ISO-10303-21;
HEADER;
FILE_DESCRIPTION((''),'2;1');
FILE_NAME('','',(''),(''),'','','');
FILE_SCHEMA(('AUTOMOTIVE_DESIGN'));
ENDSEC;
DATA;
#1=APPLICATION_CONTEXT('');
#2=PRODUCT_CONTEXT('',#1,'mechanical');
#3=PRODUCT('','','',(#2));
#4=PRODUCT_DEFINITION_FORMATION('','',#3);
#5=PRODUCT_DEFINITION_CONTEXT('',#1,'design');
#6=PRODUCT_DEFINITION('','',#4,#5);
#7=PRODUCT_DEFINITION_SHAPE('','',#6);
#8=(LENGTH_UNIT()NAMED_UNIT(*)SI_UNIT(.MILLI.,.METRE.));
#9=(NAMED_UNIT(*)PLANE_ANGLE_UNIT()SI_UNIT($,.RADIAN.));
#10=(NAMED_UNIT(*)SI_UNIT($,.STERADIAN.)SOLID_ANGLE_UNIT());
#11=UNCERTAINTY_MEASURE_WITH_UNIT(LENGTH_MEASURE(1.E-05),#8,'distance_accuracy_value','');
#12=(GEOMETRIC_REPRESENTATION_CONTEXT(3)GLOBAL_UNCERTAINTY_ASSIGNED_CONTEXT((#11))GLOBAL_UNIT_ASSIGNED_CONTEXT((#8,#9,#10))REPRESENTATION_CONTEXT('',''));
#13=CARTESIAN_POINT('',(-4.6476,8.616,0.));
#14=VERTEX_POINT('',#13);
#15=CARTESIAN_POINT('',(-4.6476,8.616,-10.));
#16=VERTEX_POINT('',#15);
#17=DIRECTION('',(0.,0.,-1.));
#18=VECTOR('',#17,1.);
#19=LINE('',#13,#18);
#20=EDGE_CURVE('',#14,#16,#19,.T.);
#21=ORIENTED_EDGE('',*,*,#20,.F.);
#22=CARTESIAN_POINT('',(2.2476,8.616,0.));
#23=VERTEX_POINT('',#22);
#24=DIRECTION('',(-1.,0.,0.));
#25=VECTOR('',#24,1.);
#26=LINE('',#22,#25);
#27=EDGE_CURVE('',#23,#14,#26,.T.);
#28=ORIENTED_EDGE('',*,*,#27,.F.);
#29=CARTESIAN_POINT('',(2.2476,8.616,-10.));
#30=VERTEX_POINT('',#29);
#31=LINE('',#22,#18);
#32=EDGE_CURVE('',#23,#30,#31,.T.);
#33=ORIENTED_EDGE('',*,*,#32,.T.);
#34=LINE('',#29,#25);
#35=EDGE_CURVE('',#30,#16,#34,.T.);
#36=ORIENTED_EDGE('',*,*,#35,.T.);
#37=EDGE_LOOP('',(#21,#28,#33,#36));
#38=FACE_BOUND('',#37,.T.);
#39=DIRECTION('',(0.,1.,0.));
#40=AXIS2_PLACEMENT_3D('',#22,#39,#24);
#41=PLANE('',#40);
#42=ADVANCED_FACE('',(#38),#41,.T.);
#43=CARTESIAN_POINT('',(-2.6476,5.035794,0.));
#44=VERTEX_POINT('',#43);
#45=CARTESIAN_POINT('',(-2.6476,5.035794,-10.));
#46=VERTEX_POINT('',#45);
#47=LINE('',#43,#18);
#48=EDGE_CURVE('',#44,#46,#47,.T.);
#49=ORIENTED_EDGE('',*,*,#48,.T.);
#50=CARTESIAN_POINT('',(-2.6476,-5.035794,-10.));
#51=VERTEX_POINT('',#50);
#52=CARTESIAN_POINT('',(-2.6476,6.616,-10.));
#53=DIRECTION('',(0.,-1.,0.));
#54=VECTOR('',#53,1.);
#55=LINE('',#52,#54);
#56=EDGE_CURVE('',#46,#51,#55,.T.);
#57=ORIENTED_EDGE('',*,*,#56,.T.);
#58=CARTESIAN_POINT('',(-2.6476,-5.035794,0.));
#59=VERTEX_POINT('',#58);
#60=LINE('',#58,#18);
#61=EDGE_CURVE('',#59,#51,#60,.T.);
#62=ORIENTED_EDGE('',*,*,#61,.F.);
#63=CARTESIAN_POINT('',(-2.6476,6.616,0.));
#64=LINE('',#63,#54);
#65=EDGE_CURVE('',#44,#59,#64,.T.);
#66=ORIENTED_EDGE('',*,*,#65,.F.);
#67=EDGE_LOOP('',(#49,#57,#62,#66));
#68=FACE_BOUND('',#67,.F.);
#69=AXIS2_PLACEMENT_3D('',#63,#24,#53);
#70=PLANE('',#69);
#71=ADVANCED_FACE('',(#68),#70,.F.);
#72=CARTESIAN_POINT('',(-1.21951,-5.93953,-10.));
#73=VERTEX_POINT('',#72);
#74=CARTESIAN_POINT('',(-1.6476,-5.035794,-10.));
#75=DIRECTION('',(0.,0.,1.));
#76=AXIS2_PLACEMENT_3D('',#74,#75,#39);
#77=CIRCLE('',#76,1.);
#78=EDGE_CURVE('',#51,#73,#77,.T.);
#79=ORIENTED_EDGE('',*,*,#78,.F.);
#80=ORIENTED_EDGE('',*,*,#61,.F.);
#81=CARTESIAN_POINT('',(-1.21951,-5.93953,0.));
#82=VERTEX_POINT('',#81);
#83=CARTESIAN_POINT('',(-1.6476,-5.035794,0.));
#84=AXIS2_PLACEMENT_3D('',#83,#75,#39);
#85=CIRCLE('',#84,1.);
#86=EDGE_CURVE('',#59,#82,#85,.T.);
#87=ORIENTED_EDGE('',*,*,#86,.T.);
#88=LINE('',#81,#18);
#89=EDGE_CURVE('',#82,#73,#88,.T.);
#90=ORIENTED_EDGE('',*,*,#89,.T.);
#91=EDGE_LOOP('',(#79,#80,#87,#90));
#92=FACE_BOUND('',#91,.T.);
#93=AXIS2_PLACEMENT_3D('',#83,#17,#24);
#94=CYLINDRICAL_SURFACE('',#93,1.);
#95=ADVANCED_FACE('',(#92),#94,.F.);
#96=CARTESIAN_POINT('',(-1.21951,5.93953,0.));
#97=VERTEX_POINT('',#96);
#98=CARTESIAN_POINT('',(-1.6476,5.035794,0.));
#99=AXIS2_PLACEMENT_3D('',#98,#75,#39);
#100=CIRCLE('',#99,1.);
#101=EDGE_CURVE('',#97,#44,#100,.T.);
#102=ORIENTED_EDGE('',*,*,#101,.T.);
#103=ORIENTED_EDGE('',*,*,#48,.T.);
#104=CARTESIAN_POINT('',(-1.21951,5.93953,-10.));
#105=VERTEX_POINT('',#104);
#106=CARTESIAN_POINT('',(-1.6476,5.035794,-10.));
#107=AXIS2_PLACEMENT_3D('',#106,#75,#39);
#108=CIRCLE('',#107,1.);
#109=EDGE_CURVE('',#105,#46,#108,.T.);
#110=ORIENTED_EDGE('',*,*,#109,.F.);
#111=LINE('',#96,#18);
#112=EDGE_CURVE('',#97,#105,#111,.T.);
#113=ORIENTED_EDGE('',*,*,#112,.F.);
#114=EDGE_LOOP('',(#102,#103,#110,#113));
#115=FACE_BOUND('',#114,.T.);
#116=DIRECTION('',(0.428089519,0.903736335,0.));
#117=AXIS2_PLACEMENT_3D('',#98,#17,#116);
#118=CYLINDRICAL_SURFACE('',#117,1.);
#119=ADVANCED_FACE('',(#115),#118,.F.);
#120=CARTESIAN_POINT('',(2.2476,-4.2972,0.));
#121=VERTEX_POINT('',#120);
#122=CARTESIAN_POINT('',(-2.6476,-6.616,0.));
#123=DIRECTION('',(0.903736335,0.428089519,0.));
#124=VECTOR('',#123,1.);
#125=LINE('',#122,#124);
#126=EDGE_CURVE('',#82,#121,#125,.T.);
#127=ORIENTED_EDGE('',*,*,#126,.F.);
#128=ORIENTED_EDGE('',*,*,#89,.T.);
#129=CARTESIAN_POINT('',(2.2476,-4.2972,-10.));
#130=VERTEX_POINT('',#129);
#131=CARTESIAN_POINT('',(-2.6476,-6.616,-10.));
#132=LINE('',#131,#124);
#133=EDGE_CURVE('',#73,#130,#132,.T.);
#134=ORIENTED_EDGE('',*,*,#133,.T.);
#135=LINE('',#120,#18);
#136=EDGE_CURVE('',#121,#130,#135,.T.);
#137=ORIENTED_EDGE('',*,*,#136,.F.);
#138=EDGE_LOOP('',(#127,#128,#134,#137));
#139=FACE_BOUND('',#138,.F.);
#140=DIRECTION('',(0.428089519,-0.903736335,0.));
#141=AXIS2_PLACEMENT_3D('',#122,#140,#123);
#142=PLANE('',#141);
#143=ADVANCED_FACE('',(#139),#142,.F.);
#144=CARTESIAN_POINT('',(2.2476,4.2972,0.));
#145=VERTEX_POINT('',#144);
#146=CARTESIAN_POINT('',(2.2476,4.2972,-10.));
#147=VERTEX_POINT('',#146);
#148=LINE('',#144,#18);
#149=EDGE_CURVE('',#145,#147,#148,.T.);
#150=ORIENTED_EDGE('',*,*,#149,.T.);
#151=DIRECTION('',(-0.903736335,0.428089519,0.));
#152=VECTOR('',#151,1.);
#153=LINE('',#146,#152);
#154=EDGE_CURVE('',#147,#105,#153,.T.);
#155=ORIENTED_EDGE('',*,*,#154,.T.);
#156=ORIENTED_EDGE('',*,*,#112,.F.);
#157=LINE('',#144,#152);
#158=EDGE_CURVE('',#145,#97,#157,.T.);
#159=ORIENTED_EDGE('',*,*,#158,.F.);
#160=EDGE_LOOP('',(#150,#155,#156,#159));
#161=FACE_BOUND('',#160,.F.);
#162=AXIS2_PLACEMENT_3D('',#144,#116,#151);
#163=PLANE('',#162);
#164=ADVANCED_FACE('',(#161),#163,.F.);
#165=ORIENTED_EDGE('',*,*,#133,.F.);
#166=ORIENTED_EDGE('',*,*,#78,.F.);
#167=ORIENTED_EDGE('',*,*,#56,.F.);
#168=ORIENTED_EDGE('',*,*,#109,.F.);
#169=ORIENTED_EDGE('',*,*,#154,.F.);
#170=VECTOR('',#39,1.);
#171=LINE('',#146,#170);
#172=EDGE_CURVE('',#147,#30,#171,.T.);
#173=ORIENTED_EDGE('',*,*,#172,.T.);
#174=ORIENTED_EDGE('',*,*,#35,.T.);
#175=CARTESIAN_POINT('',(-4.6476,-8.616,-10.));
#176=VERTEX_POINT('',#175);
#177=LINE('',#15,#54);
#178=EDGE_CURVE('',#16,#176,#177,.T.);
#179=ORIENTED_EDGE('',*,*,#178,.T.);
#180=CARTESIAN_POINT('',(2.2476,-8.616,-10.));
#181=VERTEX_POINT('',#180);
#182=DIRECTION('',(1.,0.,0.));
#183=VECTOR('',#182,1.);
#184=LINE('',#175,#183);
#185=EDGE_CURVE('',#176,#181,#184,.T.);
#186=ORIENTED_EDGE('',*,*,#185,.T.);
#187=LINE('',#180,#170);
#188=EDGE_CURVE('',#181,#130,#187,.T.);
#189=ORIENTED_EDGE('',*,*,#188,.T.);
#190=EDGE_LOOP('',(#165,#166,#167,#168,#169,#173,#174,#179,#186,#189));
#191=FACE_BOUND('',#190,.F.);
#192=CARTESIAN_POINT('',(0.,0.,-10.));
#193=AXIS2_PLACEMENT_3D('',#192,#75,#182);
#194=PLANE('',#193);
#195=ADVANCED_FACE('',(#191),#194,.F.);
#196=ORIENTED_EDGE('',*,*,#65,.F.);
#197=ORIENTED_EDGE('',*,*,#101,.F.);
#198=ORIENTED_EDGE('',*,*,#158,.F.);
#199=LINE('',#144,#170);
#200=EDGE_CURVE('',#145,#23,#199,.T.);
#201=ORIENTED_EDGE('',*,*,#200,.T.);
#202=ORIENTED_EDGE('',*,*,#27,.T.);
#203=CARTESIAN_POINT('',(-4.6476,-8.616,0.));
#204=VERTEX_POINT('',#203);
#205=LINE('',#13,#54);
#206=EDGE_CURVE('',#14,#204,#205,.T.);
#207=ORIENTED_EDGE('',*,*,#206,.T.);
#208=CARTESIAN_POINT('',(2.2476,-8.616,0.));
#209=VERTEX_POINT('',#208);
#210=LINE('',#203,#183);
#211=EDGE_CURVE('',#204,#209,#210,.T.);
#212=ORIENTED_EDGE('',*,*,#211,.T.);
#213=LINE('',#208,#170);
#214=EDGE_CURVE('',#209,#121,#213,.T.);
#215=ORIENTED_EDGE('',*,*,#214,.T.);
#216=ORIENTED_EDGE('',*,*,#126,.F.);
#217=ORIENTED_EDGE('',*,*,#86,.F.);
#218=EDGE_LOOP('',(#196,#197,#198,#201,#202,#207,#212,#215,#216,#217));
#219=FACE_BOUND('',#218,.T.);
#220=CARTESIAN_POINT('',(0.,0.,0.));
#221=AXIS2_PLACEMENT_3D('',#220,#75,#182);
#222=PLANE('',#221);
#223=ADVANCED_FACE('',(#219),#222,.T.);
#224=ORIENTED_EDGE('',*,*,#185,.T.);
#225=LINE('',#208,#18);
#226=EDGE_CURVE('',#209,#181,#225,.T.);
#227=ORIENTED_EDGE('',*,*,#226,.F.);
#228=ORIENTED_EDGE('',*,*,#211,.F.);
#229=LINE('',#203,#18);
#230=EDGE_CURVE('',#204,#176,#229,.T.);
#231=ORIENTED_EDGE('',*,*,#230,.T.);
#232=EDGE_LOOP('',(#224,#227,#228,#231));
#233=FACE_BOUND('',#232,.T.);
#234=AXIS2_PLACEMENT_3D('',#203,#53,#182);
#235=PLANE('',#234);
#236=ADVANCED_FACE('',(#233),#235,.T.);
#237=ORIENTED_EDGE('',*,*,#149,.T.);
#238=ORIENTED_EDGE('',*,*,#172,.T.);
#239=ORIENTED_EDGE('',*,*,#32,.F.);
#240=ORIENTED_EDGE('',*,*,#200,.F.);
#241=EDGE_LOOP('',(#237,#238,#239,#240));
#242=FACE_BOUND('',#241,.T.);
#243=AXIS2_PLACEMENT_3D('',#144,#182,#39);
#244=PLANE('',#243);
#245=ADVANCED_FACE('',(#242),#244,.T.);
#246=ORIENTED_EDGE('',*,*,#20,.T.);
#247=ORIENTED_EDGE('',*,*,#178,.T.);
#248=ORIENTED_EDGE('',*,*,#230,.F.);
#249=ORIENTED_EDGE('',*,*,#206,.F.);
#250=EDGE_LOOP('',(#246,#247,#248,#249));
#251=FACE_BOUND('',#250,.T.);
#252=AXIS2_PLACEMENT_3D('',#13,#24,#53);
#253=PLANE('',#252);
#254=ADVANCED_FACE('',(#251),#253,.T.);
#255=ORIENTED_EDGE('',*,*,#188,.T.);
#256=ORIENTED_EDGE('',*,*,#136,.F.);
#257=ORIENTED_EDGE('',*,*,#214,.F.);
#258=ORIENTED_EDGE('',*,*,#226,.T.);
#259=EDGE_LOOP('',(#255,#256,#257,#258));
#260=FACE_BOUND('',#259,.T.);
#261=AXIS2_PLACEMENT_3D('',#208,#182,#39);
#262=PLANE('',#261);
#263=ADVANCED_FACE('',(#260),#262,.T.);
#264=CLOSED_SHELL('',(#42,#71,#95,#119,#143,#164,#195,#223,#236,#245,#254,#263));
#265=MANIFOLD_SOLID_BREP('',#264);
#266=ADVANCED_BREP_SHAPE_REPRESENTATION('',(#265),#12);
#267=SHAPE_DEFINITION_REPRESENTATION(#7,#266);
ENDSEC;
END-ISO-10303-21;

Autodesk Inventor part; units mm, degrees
ref_plane "YZ Plane" through (0, 0, 0) normal (1, 0, 0) x (0, 1, 0)
ref_plane "XZ Plane" through (0, 0, 0) normal (0, 1, 0) x (-1, 0, 0)
ref_plane "XY Plane" through (0, 0, 0) normal (0, 0, 1) x (1, 0, 0)
sketch "Sketch1" plane through (0, 0, 0) normal (0, 0, 1) x (1, 0, 0)
  circle A0 centre (2.8524, -17.9) radius 2 projected
  circle A1 centre (18.8524, -17.9) radius 2 projected
  circle A2 centre (18.8524, 17.9) radius 2 projected
  circle A3 centre (2.8524, 17.9) radius 2 projected
  arc A4 (3.1135, 5.1575) -> (3.0054, 10.8589) centre (-1.0472, 7.9303) ccw projected
  arc A5 (3.1135, 5.1575) -> (2.4476, 3.9812) centre (10.8524, 0) ccw projected
  line L0 (2.4476, 3.9812) -> (-1.0195, 5.6235) projected
  line L1 (-2.4476, 4.7198) -> (-2.4476, -4.7198) projected
  line L2 (-1.0195, -5.6235) -> (2.4476, -3.9812) projected
  arc A6 (2.4476, -3.9812) -> (3.1135, -5.1575) centre (10.8524, 0) ccw projected
  arc A7 (3.0054, -10.8589) -> (3.1135, -5.1575) centre (-1.0472, -7.9303) ccw projected
  line L3 (-0.3897, -15.5572) -> (3.0054, -10.8589) projected
  arc A8 (-0.3897, -15.5572) -> (6.4079, -19.7325) centre (2.8524, -17.9) ccw projected
  arc A9 (15.2968, -19.7325) -> (6.4079, -19.7325) centre (10.8524, -22.0231) ccw projected
  arc A10 (15.2968, -19.7325) -> (22.0945, -15.5572) centre (18.8524, -17.9) ccw projected
  line L4 (22.0945, -15.5572) -> (18.6993, -10.8589) projected
  arc A11 (18.3102, -5.6345) -> (18.6993, -10.8589) centre (22.752, -7.9303) ccw projected
  line L5 (32.1524, -5.6345) -> (18.3102, -5.6345) projected
  line L6 (32.1524, 5.6345) -> (32.1524, -5.6345) projected
  line L7 (32.1524, 5.6345) -> (18.3102, 5.6345) projected
  arc A12 (18.6993, 10.8589) -> (18.3102, 5.6345) centre (22.752, 7.9303) ccw projected
  line L8 (18.6993, 10.8589) -> (22.0945, 15.5572) projected
  arc A13 (22.0945, 15.5572) -> (15.2968, 19.7325) centre (18.8524, 17.9) ccw projected
  arc A14 (6.4079, 19.7325) -> (15.2968, 19.7325) centre (10.8524, 22.0231) ccw projected
  arc A15 (6.4079, 19.7325) -> (-0.3897, 15.5572) centre (2.8524, 17.9) ccw projected
  line L9 (3.0054, 10.8589) -> (-0.3897, 15.5572) projected
  circle A16 centre (10.8524, 0) radius 1.5 projected
  line L10 (2.2476, 4.2972) -> (-2.6476, 6.616)
  line L11 (-2.6476, 6.616) -> (-2.6476, -6.616)
  line L12 (-2.6476, -6.616) -> (2.2476, -4.2972)
  line L13 (0, 0) -> (10.8524, 0) construction
  line L14 (2.2476, 4.2972) -> (2.2476, 8.616)
  line L15 (2.2476, 8.616) -> (-4.6476, 8.616)
  line L16 (-4.6476, 8.616) -> (-4.6476, -8.616)
  line L17 (-4.6476, -8.616) -> (2.2476, -8.616)
  line L18 (2.2476, -8.616) -> (2.2476, -4.2972)
  arc A17 (-2.4476, -4.7198) -> (-1.0195, -5.6235) centre (-1.4476, -4.7198) ccw projected
  arc A18 (-1.0195, 5.6235) -> (-2.4476, 4.7198) centre (-1.4476, 4.7198) ccw projected
  dimension "d0" = 0.2
  dimension "d1" = 0.2
  dimension "d2" = 0.2
  dimension "d3" = 2
  dimension "d4" = 2
extrude "Extrusion1" add sketch "Sketch1" against normal blind 10 contours L10 L11 L12 L18 L17 L16 L15 L14
fillet "Fillet1" radius 1 2 edges at (-2.6476, -6.616, -5) (-2.6476, 6.616, -5)
properties part number "dovetail insert"
